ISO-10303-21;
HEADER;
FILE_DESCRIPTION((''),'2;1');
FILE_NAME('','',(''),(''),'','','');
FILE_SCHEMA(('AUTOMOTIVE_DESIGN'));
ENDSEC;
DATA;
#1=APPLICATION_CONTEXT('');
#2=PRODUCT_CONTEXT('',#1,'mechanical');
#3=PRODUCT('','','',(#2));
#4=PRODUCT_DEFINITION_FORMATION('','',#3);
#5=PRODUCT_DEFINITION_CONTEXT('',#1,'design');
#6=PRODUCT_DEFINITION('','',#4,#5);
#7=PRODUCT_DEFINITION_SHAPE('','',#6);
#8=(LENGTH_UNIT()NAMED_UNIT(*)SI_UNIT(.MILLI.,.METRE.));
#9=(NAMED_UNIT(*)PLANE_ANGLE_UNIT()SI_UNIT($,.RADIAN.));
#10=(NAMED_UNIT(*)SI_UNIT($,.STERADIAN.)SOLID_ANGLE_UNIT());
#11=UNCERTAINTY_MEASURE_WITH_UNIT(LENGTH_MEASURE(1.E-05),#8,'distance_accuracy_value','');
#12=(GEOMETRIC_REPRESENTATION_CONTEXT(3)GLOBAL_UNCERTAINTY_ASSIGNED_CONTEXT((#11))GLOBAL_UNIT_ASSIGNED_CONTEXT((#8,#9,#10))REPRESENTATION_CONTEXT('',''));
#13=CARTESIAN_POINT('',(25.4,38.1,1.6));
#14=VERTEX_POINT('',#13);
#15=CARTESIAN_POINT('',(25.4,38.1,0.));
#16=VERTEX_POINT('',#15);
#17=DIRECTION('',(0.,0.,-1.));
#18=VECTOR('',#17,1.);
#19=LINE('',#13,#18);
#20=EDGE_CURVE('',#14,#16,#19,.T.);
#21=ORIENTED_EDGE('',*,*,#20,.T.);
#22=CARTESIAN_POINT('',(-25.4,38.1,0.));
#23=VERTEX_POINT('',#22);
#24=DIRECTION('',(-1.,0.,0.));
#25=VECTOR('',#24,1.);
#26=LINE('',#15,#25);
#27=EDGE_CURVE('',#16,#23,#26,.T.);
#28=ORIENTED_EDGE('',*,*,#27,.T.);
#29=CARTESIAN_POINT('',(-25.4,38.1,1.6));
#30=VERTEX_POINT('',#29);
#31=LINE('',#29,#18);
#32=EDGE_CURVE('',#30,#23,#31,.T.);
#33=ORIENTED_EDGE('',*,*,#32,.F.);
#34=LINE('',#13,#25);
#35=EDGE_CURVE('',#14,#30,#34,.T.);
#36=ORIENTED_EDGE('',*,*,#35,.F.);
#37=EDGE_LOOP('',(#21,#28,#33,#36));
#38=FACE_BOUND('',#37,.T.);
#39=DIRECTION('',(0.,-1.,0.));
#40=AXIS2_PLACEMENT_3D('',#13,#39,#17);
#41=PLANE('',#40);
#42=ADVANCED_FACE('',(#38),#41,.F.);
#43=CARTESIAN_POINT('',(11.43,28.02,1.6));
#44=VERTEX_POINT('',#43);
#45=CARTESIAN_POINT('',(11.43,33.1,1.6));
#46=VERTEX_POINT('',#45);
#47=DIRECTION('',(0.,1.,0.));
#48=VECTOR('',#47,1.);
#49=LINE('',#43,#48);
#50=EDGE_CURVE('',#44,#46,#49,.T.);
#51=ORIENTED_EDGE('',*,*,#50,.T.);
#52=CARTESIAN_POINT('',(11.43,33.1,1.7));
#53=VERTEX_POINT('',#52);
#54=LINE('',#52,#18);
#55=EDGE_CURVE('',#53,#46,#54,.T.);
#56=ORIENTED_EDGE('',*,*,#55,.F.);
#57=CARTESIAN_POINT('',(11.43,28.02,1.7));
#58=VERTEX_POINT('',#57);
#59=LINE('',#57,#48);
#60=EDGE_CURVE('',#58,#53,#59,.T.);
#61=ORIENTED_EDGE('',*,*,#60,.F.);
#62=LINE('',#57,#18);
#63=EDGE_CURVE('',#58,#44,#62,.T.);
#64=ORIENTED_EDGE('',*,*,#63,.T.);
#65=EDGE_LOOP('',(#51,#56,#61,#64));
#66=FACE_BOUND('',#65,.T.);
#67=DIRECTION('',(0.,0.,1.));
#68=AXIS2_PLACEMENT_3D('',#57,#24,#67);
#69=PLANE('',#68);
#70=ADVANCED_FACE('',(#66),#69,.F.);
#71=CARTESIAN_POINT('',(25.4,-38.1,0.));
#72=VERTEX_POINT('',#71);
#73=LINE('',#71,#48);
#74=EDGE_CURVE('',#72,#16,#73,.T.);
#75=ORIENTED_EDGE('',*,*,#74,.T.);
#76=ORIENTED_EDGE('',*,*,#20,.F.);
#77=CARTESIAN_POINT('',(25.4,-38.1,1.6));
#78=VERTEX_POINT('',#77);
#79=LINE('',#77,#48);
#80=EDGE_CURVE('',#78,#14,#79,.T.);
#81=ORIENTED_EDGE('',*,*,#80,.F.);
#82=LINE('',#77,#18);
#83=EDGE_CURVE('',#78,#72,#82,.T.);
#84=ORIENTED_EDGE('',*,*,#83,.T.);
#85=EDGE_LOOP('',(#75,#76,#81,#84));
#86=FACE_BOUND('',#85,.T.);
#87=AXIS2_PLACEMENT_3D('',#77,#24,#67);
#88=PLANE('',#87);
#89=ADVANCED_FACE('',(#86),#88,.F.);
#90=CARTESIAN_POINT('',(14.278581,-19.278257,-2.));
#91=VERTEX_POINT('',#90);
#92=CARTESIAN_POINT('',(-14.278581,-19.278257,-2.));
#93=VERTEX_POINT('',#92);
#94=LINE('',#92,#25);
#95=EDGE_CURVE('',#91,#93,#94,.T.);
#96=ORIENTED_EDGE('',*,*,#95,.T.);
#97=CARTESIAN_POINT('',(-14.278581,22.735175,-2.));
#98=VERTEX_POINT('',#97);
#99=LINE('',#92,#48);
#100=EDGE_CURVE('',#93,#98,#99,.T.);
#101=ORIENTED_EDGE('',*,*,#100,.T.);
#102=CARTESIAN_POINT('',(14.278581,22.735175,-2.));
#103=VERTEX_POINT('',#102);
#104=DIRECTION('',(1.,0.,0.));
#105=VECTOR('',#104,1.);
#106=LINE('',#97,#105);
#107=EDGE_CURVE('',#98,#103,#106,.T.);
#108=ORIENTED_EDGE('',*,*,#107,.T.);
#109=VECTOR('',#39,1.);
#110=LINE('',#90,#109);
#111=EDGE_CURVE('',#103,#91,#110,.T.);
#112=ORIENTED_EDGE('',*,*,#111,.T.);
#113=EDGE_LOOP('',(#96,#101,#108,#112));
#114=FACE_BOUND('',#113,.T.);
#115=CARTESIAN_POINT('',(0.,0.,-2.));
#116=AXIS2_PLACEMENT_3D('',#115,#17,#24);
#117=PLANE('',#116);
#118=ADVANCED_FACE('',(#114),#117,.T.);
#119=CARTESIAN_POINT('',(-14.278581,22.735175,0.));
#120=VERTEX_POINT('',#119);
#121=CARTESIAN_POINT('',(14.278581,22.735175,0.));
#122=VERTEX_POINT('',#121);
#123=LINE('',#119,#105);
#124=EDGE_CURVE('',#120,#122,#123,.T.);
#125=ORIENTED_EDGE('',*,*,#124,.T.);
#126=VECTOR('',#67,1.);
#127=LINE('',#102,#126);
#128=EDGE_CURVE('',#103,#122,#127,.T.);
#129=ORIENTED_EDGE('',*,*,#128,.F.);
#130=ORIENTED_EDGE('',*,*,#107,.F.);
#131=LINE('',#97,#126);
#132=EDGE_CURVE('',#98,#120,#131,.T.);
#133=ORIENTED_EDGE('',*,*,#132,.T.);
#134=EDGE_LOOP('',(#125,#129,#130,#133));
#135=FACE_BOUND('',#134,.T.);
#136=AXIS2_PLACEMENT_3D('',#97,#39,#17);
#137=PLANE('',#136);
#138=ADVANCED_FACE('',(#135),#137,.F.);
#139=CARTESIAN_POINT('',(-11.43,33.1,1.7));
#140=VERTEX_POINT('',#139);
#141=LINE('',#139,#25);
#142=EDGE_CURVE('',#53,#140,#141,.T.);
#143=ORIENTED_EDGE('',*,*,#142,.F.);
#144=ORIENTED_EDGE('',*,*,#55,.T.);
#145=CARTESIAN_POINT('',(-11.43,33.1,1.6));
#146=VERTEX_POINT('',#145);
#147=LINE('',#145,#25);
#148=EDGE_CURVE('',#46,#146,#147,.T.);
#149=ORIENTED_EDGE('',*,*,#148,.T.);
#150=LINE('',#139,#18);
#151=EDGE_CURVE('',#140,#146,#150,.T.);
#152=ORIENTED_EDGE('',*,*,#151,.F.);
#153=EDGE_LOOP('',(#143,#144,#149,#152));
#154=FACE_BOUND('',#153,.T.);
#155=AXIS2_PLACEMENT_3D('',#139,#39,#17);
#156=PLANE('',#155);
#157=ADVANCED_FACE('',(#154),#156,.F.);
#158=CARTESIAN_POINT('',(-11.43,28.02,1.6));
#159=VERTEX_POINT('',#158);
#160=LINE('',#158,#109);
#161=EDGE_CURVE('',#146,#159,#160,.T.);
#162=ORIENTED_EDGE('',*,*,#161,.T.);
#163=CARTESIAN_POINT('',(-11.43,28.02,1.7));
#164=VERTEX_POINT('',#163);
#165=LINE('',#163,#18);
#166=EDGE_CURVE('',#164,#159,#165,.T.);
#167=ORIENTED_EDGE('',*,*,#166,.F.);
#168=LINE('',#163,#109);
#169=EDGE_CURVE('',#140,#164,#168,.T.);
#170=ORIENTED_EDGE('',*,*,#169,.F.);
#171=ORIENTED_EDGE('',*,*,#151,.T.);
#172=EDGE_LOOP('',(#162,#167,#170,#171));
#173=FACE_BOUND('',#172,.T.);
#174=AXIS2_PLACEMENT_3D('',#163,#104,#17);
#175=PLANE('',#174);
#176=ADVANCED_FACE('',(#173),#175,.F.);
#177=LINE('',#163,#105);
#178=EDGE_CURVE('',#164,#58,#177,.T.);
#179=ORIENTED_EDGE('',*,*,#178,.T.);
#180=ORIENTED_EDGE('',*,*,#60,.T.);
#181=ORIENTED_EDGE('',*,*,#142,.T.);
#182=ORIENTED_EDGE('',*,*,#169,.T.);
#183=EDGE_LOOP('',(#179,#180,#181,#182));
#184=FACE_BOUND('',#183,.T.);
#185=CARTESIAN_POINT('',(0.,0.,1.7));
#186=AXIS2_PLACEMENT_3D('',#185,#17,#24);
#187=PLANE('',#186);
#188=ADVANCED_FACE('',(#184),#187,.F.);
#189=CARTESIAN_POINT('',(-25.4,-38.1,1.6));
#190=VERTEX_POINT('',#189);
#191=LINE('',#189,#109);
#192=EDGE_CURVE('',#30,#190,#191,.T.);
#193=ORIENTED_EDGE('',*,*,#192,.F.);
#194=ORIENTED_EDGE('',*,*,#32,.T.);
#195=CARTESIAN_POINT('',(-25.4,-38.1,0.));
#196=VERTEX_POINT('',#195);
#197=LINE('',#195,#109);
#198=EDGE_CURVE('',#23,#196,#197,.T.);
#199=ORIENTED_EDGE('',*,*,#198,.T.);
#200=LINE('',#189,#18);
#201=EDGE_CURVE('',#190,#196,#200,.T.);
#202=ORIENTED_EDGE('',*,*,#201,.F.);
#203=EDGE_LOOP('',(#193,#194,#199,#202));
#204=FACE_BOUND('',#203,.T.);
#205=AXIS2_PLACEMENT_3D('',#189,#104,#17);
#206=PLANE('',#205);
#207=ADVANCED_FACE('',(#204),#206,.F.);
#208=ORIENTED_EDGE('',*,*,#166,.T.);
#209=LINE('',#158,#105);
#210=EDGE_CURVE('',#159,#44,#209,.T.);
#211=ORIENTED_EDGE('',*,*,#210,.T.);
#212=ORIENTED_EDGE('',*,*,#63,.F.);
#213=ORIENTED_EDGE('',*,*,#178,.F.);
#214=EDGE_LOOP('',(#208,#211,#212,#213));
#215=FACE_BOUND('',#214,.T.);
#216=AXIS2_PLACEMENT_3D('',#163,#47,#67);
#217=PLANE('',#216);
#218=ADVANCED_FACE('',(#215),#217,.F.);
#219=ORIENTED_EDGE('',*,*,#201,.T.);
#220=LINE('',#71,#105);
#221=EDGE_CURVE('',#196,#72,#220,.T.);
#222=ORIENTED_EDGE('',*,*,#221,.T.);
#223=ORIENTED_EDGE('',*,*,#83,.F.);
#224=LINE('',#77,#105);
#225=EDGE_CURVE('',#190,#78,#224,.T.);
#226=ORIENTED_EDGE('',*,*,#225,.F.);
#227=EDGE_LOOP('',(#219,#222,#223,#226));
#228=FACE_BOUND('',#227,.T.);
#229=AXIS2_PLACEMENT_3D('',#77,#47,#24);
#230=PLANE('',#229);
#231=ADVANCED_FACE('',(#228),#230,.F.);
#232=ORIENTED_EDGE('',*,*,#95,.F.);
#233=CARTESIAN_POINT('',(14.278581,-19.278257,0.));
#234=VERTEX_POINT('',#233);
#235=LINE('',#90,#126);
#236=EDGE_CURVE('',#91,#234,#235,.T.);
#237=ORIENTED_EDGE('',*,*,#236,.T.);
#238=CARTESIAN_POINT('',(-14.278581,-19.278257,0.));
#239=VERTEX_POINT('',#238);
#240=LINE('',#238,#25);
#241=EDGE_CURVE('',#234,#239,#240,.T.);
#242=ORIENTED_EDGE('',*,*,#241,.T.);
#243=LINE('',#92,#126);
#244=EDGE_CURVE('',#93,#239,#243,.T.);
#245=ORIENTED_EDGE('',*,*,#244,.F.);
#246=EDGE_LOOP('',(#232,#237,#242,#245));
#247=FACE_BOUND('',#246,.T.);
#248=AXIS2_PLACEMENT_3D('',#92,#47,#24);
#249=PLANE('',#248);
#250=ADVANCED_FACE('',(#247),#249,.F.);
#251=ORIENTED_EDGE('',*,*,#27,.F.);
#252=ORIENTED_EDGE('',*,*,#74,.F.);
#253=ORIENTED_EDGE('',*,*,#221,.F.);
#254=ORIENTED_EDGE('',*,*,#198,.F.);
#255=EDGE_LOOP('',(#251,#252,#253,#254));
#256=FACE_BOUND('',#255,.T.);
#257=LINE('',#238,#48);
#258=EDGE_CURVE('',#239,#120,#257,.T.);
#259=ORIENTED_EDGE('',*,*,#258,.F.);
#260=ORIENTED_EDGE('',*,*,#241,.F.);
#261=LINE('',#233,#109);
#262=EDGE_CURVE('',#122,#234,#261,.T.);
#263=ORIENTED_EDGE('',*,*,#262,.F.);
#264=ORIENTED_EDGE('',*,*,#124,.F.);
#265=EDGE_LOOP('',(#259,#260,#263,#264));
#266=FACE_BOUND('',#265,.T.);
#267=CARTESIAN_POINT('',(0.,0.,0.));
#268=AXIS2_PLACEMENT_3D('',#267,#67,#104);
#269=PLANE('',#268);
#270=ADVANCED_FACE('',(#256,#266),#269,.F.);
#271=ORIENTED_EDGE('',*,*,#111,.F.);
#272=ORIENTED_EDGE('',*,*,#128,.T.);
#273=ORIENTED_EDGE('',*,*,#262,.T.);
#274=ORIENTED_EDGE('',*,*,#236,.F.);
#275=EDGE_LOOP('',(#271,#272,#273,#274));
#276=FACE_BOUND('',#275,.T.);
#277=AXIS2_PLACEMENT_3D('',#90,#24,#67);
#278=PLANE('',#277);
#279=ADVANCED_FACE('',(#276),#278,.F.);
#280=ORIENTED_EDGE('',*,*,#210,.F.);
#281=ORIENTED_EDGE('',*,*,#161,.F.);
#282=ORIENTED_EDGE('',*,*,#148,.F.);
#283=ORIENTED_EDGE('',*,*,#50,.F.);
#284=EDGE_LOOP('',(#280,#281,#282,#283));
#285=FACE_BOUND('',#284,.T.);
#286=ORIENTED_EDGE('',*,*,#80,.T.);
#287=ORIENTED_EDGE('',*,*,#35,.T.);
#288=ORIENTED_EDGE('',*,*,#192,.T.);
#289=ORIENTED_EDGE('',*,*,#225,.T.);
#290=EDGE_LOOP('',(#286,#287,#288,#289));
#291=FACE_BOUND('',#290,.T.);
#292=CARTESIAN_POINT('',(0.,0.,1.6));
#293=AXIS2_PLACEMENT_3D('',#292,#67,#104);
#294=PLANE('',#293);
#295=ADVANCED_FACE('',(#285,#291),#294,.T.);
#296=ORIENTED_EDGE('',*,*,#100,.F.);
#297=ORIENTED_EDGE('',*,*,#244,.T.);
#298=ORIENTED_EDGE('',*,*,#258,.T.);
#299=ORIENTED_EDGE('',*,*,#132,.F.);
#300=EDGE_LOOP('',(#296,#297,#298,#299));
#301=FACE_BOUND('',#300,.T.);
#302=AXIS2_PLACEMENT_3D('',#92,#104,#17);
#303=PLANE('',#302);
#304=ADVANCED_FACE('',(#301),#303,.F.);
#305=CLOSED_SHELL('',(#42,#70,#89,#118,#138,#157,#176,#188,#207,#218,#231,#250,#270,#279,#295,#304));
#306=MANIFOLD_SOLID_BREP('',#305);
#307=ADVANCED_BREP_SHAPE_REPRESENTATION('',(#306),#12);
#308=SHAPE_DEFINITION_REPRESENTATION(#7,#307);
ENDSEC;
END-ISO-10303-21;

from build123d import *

# Parameters (mm, degrees)
SKETCH1_W           = 50.8
SKETCH1_H           = 76.2
BOSS_EXTRUDE1_DEPTH = 1.6
SKETCH3_W           = 22.86
SKETCH3_H           = 5.08
BOSS_EXTRUDE2_DEPTH = 0.1
SKETCH6_W           = 28.557161976
SKETCH6_H           = 42.013432375
BOSS_EXTRUDE3_DEPTH = 2


with BuildPart() as part:
    # Sketch1 → Boss-Extrude1 (new body)
    with BuildSketch(Plane.XY):
        Rectangle(SKETCH1_W, SKETCH1_H)
    extrude(amount=BOSS_EXTRUDE1_DEPTH)

    # Sketch3 → Boss-Extrude2 (add)
    with BuildSketch(Plane.XY.offset(1.6)):
        with Locations((0, 30.56)):
            Rectangle(SKETCH3_W, SKETCH3_H)
    extrude(amount=BOSS_EXTRUDE2_DEPTH)

    # Sketch6 → Boss-Extrude3 (add)
    with BuildSketch(Plane(origin=(0, 0, 0), x_dir=(-1, 0, 0), z_dir=(0, 0, -1))):
        with Locations((0, 1.728458928)):
            Rectangle(SKETCH6_W, SKETCH6_H)
    extrude(amount=BOSS_EXTRUDE3_DEPTH)


solid = part.part
